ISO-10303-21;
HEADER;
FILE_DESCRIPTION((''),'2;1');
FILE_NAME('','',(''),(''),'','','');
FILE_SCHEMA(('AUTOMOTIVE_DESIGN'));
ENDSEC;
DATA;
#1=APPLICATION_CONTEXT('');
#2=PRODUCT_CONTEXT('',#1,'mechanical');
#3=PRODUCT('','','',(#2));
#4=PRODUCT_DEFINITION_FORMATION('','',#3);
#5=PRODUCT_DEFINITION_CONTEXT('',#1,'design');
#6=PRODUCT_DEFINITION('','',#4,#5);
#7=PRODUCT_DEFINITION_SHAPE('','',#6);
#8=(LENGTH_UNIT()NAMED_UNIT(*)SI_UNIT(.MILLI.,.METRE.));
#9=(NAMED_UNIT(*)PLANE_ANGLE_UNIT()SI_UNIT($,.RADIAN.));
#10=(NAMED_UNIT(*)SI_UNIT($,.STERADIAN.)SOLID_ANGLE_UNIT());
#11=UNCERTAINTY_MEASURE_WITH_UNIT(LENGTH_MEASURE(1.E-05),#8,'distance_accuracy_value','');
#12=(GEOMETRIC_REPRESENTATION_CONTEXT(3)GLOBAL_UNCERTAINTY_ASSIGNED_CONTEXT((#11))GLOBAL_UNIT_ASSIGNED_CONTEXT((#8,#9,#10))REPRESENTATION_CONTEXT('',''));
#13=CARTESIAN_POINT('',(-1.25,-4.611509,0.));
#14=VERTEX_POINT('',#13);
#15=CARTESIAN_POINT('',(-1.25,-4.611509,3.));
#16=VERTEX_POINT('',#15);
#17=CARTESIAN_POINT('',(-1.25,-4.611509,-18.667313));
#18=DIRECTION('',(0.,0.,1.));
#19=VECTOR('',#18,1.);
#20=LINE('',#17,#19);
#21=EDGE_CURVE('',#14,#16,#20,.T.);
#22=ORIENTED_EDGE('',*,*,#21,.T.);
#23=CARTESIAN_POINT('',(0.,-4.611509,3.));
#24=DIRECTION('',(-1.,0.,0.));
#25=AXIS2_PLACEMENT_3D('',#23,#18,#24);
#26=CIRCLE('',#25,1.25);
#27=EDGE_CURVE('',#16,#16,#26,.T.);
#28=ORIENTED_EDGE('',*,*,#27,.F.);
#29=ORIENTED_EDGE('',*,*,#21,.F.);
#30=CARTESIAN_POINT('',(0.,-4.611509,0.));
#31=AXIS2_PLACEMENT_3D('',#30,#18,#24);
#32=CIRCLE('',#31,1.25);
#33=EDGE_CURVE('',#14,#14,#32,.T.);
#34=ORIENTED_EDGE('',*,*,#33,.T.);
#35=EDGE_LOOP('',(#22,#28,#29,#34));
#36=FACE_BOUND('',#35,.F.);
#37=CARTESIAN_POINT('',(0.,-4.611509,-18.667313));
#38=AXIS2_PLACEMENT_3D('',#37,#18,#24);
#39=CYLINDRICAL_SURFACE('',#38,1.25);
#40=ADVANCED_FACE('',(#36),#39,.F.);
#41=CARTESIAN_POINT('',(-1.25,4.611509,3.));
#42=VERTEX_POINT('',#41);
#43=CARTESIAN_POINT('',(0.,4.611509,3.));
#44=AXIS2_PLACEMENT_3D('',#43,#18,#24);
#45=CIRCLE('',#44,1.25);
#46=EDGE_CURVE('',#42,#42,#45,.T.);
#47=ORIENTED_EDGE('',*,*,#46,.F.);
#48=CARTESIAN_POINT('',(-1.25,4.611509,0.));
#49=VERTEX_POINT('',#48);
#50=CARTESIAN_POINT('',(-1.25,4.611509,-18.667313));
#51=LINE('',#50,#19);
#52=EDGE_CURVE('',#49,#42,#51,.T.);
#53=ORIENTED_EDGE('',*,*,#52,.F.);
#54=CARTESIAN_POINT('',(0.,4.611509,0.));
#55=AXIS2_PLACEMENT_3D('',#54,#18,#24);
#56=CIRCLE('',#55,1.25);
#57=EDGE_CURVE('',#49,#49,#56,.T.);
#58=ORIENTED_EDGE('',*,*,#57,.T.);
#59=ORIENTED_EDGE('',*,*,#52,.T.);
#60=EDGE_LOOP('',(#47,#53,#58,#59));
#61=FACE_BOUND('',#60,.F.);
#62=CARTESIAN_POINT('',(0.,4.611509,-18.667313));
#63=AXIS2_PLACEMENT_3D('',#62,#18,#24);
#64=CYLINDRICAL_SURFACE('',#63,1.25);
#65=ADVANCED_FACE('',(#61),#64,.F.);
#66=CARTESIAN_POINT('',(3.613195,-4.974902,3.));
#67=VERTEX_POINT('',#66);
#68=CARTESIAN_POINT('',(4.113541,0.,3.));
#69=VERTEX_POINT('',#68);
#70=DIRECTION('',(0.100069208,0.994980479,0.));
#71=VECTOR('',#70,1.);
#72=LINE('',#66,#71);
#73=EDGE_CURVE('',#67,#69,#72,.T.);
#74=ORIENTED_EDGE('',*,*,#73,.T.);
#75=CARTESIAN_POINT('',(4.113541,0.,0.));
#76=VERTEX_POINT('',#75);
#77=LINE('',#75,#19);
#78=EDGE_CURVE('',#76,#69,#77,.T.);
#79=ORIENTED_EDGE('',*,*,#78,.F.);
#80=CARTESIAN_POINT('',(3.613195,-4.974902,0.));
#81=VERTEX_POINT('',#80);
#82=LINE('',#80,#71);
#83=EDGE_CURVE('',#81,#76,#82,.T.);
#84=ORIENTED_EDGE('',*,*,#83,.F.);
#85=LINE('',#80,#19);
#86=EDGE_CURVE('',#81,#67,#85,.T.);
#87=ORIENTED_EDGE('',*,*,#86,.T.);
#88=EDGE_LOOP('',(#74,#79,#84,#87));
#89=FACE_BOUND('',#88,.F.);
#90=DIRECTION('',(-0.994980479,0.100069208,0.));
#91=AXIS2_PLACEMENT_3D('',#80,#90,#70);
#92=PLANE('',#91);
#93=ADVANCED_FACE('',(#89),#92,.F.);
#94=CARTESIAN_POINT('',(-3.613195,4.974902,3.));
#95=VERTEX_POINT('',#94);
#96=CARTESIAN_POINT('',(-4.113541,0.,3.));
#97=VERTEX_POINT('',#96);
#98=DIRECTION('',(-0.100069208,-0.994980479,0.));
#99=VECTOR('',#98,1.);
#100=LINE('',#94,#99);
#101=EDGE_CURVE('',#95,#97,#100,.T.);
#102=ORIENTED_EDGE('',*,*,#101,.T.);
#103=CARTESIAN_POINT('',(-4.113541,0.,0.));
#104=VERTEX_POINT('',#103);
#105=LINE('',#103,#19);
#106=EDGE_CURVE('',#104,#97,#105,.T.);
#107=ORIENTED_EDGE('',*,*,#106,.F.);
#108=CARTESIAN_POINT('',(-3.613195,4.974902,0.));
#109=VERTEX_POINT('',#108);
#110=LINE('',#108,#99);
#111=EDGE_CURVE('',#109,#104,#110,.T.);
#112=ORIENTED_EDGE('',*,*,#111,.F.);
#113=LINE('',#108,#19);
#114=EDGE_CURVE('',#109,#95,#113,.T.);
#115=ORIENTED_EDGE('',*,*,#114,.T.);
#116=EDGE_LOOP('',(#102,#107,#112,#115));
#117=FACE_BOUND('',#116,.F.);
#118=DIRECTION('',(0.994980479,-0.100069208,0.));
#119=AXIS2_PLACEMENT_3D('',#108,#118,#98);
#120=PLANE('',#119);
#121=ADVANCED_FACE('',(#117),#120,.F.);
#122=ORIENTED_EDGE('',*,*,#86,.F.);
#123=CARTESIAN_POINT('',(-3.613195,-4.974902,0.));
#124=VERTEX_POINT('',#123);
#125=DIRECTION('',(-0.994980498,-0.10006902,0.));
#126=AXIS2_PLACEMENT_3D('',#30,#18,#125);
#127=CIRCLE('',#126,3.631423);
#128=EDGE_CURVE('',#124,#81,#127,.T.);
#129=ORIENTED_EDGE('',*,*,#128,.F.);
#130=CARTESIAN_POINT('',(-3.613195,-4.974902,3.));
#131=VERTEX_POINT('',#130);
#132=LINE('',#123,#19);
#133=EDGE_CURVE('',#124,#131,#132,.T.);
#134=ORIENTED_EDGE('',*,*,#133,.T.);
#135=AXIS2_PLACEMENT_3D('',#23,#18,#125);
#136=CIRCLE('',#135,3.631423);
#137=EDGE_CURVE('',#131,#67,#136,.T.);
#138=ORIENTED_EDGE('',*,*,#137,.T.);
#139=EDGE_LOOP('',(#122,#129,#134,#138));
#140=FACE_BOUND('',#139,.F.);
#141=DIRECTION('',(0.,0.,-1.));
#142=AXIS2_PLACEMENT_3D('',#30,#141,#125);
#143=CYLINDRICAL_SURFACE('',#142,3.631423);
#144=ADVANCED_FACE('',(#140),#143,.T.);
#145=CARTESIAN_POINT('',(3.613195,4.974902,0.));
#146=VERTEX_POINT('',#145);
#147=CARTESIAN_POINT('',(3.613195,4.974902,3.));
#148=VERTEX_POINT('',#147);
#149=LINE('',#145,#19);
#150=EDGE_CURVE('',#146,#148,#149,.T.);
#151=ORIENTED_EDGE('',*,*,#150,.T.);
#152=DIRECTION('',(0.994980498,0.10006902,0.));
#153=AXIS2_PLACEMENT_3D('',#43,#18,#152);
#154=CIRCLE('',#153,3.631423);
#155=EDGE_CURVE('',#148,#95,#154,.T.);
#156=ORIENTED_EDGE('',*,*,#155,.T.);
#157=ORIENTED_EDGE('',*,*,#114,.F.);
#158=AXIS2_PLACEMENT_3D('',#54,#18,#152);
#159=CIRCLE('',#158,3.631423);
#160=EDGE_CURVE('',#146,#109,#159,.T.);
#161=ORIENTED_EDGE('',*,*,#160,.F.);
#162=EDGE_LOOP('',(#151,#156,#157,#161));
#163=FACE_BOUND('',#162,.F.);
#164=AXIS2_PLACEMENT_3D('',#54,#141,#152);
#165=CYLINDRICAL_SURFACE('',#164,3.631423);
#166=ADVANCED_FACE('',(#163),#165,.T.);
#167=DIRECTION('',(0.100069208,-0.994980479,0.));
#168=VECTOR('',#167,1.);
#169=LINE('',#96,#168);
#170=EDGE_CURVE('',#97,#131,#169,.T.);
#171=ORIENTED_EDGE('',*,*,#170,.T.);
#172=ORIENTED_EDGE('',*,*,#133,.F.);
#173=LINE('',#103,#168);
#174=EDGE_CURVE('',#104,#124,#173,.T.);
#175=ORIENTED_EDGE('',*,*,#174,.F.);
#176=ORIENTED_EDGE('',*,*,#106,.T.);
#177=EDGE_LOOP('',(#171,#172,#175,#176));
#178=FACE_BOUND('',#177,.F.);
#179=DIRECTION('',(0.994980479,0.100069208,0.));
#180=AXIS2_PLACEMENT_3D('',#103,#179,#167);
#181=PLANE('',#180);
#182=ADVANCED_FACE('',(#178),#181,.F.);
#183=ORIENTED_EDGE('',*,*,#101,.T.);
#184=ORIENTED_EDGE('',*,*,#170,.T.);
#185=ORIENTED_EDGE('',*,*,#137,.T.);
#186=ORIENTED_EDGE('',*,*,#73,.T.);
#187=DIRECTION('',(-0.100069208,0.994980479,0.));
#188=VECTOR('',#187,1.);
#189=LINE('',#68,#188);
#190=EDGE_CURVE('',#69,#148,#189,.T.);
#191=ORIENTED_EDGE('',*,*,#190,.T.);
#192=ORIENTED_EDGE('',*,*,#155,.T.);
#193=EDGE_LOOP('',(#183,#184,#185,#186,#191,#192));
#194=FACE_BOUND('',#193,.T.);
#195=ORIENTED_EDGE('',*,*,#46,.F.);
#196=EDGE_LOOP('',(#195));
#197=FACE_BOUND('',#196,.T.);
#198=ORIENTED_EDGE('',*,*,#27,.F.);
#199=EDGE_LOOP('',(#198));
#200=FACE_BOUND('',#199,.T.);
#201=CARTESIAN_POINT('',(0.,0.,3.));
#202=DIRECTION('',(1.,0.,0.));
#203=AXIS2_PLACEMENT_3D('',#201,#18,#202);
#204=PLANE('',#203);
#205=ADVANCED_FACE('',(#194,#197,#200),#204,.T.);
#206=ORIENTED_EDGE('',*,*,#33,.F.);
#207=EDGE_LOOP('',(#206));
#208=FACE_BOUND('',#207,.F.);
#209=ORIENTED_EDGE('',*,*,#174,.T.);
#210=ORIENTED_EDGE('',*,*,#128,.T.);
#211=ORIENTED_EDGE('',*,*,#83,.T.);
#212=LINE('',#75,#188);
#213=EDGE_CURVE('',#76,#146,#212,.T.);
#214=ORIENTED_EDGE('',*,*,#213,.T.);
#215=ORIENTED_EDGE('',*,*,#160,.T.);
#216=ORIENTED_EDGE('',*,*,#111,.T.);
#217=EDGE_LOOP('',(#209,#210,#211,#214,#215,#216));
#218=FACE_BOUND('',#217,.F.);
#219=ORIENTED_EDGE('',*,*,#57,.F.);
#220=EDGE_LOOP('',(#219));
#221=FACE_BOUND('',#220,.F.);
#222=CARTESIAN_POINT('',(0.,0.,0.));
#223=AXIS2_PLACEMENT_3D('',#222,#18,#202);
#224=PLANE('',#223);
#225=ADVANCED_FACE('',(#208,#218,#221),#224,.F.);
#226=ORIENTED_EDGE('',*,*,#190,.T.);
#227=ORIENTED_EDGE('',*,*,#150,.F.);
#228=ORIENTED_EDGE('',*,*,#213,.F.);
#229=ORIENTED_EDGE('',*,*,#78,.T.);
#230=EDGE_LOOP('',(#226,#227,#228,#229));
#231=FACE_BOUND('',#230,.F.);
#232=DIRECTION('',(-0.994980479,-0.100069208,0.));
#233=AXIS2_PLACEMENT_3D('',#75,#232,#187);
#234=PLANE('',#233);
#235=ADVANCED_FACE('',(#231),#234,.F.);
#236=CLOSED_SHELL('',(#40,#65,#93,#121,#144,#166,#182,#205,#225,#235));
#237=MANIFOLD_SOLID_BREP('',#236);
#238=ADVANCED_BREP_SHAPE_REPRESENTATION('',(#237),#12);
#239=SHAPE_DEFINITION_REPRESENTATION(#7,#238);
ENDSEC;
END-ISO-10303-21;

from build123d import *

# Parameters (mm, degrees)
F1_DEPTH = 3
F2_D     = 2.5
F3_D     = 2.5


with BuildPart() as f1:
    # F0 (on Top) → F1 (new body)
    with BuildSketch(Plane.XY):
        with BuildLine():
            Line((-3.613195, 4.974902), (-4.113541, 0))
            Line((-4.113541, 0), (-3.613195, -4.974902))
            ThreePointArc((-3.613195, -4.974902), (0, -8.242932), (3.613195, -4.974902))
            Line((3.613195, -4.974902), (4.113541, 0))
            Line((4.113541, 0), (3.613195, 4.974902))
            ThreePointArc((3.613195, 4.974902), (0, 8.242932), (-3.613195, 4.974902))
        make_face()
    extrude(amount=F1_DEPTH)

    # F2 (through all)
    with Locations(Plane(origin=(0, 0, 0), x_dir=(1, 0, 0), z_dir=(0, 0, -1))):
        with Locations((0, 4.611509)):
            Hole(F2_D / 2)

    # F3 (through all)
    with Locations(Plane(origin=(0, 0, 0), x_dir=(1, 0, 0), z_dir=(0, 0, -1))):
        with Locations((0, -4.611509)):
            Hole(F3_D / 2)


solid = f1.part
